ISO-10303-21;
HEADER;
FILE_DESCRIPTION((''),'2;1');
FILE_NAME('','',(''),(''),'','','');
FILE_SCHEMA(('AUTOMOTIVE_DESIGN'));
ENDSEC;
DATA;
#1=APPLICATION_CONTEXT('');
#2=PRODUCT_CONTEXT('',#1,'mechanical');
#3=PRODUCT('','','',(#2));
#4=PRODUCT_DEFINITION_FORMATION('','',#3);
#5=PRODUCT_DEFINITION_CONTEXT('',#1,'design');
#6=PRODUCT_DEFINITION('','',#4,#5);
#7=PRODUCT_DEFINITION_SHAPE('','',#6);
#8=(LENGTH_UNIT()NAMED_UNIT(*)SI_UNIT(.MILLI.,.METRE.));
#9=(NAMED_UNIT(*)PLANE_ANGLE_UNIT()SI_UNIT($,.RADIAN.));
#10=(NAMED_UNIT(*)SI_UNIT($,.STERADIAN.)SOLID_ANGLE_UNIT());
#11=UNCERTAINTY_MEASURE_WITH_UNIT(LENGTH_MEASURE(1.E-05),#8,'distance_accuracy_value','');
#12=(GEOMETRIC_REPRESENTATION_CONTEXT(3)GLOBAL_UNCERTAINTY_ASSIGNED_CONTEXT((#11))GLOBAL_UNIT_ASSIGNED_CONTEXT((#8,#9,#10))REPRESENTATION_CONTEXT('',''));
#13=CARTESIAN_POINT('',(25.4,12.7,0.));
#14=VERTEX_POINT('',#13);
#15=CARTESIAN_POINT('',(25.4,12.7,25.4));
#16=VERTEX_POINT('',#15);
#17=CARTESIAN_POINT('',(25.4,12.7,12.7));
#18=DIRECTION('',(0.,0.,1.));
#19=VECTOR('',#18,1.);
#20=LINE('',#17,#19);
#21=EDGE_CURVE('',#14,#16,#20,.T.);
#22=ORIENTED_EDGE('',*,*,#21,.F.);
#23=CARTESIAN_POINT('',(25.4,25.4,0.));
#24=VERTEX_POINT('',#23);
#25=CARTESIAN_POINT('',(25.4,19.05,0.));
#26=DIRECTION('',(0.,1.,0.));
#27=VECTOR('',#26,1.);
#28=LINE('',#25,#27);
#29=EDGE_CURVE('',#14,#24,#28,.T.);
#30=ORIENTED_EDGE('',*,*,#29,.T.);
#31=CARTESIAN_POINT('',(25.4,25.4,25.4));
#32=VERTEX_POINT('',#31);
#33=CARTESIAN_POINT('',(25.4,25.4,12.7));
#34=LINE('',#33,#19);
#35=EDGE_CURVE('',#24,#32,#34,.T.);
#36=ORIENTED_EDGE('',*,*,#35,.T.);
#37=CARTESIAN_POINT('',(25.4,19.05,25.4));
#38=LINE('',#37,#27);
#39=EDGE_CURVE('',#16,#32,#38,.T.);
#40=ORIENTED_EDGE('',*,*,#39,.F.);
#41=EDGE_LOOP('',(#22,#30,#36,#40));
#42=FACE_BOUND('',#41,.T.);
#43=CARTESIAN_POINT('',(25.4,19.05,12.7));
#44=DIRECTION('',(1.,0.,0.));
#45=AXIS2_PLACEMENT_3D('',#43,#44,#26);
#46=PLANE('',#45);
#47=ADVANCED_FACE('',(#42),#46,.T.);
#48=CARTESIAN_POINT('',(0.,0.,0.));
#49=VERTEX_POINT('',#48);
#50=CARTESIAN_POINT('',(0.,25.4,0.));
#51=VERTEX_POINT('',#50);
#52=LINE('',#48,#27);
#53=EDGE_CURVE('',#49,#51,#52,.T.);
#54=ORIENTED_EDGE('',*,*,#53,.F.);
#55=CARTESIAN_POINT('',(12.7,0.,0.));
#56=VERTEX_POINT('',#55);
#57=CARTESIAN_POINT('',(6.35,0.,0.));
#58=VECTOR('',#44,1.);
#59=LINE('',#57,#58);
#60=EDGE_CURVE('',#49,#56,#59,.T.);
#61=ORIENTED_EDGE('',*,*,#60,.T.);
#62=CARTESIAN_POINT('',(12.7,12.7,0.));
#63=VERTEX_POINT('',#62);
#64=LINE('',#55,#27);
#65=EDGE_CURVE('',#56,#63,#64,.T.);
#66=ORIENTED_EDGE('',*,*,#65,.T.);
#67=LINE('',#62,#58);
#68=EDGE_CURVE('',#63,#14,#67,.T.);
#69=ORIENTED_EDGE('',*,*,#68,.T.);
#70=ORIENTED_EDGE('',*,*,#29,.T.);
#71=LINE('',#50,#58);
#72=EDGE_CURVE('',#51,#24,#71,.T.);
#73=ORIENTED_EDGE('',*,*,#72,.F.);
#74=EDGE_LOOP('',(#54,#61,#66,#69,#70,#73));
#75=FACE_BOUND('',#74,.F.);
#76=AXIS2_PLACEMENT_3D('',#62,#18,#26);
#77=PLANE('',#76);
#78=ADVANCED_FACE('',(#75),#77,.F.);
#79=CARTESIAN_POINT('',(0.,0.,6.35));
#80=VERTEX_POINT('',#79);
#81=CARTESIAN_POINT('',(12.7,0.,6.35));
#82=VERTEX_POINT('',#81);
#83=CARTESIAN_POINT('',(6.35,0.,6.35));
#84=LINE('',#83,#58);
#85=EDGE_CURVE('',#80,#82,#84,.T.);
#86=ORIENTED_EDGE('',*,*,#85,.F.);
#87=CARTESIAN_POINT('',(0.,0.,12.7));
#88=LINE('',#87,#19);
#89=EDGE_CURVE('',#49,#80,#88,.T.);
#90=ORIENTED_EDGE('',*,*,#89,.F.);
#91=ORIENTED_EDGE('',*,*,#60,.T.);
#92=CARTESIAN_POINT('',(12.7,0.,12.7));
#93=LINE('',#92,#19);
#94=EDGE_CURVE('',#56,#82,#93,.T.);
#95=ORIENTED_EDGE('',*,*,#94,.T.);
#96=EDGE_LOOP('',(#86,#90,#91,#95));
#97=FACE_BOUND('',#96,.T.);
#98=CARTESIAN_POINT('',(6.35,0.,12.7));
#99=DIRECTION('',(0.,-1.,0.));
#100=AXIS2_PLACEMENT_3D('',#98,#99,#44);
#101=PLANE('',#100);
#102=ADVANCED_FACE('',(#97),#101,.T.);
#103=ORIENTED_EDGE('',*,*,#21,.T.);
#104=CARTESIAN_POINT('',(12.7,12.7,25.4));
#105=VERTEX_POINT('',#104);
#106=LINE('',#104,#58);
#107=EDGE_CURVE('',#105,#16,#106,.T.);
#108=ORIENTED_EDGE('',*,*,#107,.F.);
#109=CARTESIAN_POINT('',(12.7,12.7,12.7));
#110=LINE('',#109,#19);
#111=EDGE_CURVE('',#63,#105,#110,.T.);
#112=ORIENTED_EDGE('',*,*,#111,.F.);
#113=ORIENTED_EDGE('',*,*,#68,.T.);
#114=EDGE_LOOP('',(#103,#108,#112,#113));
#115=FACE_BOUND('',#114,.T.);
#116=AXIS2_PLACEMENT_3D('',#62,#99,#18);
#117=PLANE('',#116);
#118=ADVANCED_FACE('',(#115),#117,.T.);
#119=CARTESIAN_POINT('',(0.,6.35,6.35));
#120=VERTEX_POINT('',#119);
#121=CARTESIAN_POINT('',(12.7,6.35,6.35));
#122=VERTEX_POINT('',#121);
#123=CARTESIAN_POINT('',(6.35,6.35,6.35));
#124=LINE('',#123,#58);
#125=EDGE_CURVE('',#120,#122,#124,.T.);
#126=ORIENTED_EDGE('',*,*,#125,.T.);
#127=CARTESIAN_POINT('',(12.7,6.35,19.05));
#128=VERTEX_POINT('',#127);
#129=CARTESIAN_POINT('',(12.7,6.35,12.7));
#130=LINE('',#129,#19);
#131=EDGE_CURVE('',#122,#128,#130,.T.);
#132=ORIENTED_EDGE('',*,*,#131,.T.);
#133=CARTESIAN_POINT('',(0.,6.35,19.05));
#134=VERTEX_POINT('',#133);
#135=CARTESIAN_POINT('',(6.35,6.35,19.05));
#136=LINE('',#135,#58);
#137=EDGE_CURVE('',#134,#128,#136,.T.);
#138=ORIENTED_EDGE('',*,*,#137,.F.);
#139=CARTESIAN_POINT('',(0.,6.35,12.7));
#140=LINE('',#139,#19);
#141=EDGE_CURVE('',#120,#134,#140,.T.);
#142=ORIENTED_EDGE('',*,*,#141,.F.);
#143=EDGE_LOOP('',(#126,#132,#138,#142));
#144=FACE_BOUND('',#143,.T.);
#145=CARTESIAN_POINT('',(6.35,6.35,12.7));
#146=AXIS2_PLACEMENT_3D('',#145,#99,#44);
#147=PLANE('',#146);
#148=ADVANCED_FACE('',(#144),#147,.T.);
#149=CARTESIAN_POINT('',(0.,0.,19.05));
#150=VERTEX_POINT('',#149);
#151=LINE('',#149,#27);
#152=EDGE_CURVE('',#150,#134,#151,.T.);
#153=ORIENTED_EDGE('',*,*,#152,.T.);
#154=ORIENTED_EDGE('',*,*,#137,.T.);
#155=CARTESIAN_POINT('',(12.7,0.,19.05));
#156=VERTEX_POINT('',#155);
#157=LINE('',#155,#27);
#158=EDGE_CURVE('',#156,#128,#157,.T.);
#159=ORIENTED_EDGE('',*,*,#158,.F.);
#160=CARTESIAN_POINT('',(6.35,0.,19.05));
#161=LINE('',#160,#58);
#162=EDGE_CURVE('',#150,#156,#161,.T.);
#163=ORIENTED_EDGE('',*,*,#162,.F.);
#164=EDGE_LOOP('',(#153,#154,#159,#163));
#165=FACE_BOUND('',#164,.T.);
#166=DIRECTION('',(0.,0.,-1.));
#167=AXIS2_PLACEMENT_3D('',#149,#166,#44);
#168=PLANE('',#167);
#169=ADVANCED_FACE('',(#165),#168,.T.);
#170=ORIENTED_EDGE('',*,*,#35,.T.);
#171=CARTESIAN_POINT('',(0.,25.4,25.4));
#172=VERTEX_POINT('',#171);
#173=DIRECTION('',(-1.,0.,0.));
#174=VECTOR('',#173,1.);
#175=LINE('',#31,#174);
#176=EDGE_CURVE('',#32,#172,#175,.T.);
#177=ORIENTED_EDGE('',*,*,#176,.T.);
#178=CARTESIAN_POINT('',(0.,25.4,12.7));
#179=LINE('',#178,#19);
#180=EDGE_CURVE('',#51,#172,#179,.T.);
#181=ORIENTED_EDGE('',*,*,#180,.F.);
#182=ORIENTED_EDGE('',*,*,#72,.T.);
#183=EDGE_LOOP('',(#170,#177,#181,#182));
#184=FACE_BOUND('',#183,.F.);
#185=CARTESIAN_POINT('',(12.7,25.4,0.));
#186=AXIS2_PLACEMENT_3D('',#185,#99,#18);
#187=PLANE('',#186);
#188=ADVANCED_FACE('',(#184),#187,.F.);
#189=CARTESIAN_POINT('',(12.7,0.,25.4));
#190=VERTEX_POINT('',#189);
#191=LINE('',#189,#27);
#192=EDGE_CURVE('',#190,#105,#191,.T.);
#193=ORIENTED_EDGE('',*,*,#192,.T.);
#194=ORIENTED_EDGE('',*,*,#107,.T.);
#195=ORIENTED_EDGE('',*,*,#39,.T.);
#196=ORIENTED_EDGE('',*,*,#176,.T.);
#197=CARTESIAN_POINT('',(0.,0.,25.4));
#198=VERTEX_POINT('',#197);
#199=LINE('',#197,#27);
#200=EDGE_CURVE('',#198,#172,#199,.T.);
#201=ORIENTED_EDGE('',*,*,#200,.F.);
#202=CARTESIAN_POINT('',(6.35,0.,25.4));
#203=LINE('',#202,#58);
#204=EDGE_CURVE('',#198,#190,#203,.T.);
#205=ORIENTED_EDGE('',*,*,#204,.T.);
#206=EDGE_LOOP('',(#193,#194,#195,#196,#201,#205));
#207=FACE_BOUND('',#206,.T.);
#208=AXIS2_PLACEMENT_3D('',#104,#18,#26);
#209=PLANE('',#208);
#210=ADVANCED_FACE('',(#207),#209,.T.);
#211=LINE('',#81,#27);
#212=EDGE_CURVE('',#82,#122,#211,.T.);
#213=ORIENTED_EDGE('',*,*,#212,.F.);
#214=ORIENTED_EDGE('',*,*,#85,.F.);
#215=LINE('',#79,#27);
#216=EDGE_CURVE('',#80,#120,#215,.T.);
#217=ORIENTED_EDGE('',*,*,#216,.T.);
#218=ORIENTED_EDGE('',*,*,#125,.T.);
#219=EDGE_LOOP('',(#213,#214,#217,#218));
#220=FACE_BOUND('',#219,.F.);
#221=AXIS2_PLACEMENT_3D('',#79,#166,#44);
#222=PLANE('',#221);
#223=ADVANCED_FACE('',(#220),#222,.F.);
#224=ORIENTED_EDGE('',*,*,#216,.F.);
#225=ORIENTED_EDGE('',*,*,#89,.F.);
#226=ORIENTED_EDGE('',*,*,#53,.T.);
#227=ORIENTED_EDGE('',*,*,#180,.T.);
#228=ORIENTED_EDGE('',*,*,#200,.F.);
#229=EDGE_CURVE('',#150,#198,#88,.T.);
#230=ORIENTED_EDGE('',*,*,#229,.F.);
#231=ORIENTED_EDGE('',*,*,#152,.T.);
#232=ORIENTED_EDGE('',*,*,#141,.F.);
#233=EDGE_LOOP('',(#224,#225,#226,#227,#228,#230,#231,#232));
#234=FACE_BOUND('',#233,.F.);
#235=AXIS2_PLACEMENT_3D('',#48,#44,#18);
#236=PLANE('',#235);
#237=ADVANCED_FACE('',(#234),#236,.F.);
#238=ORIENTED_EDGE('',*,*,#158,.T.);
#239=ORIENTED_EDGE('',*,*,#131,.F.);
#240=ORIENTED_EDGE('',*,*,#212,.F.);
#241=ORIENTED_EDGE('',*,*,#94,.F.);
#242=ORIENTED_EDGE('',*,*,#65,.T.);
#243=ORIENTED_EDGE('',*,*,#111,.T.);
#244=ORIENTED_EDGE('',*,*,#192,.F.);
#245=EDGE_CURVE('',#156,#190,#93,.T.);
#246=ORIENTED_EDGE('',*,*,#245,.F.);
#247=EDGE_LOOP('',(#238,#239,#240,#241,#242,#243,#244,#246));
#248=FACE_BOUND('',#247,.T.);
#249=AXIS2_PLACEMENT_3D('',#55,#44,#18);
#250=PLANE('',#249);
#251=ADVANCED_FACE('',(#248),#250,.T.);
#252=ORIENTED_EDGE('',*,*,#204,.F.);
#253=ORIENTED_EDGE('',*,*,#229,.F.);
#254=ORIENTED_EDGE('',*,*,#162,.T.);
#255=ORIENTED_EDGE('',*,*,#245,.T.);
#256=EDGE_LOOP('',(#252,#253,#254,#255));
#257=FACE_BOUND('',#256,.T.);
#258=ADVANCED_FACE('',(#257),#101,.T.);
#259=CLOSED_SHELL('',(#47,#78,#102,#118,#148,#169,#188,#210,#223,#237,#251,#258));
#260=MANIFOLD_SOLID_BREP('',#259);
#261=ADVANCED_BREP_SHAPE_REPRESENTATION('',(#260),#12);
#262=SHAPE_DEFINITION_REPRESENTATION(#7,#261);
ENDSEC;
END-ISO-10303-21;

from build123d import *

# Parameters (mm, degrees)
F0_W     = 12.7
F0_H     = 25.4
F1_DEPTH = 25.4
F3_W     = 12.7
F3_H     = 12.7
F4_DEPTH = 6.35
F5_W     = 12.7
F5_H     = 25.4
F6_DEPTH = 12.7


with BuildPart() as f1:
    # F0 (on Front) → F1 (new body)
    with BuildSketch(Plane.XZ):
        with Locations((6.35, 12.7)):
            Rectangle(F0_W, F0_H)
    extrude(amount=-F1_DEPTH)

    # F3 (on face) → F4 (cut)
    with BuildSketch(Plane.XZ):
        with Locations((6.35, 12.7)):
            Rectangle(F3_W, F3_H)
    extrude(amount=-F4_DEPTH, mode=Mode.SUBTRACT)

    # F5 (on face) → F6 (join)
    with BuildSketch(Plane.YZ.offset(12.7)):
        with Locations((19.05, 12.7)):
            Rectangle(F5_W, F5_H)
    extrude(amount=F6_DEPTH)


solid = f1.part
